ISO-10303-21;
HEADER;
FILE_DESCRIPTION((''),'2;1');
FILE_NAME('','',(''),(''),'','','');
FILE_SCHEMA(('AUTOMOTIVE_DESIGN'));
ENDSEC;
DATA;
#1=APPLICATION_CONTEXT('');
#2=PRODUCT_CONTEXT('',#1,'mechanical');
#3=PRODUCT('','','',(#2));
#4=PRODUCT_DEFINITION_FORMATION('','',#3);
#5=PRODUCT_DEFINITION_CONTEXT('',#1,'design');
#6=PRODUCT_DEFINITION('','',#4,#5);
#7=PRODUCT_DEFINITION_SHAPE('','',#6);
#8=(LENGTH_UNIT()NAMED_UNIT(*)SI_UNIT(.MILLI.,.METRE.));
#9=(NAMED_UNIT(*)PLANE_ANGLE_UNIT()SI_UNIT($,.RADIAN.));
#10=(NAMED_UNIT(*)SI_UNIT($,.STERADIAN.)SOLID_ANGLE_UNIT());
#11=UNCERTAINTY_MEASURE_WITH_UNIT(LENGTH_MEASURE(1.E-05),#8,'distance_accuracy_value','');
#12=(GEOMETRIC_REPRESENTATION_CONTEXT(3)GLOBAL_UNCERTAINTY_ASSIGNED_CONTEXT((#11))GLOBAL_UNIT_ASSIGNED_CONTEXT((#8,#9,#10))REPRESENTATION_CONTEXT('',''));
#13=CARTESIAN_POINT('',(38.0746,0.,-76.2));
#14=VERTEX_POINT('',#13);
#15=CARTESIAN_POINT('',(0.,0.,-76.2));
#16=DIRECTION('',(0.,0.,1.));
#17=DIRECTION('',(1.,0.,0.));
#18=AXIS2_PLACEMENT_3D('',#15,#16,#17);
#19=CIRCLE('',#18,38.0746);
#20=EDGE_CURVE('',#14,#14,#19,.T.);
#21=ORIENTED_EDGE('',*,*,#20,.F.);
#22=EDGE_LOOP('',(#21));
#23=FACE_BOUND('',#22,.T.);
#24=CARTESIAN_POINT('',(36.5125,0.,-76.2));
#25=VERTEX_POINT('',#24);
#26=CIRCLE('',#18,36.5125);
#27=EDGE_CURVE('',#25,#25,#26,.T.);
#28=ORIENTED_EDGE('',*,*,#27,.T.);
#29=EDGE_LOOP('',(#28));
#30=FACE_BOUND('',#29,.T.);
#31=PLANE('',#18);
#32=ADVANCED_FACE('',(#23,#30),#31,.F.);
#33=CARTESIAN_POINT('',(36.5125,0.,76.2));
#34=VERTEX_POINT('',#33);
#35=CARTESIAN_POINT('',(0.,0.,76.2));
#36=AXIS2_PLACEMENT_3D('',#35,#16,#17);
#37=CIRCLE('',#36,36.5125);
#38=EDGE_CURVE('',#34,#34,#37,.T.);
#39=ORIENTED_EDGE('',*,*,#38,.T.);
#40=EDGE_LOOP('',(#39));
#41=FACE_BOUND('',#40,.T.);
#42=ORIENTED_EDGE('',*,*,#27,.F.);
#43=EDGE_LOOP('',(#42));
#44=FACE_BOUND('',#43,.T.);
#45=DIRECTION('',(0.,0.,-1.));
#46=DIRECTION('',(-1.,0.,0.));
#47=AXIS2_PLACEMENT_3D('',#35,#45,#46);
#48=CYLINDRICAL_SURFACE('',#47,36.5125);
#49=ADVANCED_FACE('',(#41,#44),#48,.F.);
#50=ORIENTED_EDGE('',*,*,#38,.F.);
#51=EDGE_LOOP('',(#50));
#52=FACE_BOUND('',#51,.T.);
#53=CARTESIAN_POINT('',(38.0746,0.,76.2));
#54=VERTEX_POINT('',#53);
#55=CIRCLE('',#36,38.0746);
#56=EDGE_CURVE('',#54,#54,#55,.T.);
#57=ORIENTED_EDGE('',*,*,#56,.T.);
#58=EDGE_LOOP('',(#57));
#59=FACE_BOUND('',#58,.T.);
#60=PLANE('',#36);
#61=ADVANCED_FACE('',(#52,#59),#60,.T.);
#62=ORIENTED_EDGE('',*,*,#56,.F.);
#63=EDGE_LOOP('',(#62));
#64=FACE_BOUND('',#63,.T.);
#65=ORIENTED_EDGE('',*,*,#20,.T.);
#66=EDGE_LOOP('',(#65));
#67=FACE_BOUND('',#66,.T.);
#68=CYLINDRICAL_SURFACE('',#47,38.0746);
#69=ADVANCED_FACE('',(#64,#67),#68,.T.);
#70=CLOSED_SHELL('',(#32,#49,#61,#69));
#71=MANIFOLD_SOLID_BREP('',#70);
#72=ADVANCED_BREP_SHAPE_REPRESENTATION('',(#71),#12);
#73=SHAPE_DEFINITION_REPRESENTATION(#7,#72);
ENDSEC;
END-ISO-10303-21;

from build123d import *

# Parameters (mm, degrees)
SKETCH1_R           = 38.0746
SKETCH1_R_2         = 36.5125
BOSS_EXTRUDE1_DEPTH = 76.2


with BuildPart() as part:
    # Sketch1 → Boss-Extrude1 (new body, symmetric)
    with BuildSketch(Plane.XY):
        Circle(SKETCH1_R)
        Circle(SKETCH1_R_2, mode=Mode.SUBTRACT)
    extrude(amount=BOSS_EXTRUDE1_DEPTH, both=True)


solid = part.part
